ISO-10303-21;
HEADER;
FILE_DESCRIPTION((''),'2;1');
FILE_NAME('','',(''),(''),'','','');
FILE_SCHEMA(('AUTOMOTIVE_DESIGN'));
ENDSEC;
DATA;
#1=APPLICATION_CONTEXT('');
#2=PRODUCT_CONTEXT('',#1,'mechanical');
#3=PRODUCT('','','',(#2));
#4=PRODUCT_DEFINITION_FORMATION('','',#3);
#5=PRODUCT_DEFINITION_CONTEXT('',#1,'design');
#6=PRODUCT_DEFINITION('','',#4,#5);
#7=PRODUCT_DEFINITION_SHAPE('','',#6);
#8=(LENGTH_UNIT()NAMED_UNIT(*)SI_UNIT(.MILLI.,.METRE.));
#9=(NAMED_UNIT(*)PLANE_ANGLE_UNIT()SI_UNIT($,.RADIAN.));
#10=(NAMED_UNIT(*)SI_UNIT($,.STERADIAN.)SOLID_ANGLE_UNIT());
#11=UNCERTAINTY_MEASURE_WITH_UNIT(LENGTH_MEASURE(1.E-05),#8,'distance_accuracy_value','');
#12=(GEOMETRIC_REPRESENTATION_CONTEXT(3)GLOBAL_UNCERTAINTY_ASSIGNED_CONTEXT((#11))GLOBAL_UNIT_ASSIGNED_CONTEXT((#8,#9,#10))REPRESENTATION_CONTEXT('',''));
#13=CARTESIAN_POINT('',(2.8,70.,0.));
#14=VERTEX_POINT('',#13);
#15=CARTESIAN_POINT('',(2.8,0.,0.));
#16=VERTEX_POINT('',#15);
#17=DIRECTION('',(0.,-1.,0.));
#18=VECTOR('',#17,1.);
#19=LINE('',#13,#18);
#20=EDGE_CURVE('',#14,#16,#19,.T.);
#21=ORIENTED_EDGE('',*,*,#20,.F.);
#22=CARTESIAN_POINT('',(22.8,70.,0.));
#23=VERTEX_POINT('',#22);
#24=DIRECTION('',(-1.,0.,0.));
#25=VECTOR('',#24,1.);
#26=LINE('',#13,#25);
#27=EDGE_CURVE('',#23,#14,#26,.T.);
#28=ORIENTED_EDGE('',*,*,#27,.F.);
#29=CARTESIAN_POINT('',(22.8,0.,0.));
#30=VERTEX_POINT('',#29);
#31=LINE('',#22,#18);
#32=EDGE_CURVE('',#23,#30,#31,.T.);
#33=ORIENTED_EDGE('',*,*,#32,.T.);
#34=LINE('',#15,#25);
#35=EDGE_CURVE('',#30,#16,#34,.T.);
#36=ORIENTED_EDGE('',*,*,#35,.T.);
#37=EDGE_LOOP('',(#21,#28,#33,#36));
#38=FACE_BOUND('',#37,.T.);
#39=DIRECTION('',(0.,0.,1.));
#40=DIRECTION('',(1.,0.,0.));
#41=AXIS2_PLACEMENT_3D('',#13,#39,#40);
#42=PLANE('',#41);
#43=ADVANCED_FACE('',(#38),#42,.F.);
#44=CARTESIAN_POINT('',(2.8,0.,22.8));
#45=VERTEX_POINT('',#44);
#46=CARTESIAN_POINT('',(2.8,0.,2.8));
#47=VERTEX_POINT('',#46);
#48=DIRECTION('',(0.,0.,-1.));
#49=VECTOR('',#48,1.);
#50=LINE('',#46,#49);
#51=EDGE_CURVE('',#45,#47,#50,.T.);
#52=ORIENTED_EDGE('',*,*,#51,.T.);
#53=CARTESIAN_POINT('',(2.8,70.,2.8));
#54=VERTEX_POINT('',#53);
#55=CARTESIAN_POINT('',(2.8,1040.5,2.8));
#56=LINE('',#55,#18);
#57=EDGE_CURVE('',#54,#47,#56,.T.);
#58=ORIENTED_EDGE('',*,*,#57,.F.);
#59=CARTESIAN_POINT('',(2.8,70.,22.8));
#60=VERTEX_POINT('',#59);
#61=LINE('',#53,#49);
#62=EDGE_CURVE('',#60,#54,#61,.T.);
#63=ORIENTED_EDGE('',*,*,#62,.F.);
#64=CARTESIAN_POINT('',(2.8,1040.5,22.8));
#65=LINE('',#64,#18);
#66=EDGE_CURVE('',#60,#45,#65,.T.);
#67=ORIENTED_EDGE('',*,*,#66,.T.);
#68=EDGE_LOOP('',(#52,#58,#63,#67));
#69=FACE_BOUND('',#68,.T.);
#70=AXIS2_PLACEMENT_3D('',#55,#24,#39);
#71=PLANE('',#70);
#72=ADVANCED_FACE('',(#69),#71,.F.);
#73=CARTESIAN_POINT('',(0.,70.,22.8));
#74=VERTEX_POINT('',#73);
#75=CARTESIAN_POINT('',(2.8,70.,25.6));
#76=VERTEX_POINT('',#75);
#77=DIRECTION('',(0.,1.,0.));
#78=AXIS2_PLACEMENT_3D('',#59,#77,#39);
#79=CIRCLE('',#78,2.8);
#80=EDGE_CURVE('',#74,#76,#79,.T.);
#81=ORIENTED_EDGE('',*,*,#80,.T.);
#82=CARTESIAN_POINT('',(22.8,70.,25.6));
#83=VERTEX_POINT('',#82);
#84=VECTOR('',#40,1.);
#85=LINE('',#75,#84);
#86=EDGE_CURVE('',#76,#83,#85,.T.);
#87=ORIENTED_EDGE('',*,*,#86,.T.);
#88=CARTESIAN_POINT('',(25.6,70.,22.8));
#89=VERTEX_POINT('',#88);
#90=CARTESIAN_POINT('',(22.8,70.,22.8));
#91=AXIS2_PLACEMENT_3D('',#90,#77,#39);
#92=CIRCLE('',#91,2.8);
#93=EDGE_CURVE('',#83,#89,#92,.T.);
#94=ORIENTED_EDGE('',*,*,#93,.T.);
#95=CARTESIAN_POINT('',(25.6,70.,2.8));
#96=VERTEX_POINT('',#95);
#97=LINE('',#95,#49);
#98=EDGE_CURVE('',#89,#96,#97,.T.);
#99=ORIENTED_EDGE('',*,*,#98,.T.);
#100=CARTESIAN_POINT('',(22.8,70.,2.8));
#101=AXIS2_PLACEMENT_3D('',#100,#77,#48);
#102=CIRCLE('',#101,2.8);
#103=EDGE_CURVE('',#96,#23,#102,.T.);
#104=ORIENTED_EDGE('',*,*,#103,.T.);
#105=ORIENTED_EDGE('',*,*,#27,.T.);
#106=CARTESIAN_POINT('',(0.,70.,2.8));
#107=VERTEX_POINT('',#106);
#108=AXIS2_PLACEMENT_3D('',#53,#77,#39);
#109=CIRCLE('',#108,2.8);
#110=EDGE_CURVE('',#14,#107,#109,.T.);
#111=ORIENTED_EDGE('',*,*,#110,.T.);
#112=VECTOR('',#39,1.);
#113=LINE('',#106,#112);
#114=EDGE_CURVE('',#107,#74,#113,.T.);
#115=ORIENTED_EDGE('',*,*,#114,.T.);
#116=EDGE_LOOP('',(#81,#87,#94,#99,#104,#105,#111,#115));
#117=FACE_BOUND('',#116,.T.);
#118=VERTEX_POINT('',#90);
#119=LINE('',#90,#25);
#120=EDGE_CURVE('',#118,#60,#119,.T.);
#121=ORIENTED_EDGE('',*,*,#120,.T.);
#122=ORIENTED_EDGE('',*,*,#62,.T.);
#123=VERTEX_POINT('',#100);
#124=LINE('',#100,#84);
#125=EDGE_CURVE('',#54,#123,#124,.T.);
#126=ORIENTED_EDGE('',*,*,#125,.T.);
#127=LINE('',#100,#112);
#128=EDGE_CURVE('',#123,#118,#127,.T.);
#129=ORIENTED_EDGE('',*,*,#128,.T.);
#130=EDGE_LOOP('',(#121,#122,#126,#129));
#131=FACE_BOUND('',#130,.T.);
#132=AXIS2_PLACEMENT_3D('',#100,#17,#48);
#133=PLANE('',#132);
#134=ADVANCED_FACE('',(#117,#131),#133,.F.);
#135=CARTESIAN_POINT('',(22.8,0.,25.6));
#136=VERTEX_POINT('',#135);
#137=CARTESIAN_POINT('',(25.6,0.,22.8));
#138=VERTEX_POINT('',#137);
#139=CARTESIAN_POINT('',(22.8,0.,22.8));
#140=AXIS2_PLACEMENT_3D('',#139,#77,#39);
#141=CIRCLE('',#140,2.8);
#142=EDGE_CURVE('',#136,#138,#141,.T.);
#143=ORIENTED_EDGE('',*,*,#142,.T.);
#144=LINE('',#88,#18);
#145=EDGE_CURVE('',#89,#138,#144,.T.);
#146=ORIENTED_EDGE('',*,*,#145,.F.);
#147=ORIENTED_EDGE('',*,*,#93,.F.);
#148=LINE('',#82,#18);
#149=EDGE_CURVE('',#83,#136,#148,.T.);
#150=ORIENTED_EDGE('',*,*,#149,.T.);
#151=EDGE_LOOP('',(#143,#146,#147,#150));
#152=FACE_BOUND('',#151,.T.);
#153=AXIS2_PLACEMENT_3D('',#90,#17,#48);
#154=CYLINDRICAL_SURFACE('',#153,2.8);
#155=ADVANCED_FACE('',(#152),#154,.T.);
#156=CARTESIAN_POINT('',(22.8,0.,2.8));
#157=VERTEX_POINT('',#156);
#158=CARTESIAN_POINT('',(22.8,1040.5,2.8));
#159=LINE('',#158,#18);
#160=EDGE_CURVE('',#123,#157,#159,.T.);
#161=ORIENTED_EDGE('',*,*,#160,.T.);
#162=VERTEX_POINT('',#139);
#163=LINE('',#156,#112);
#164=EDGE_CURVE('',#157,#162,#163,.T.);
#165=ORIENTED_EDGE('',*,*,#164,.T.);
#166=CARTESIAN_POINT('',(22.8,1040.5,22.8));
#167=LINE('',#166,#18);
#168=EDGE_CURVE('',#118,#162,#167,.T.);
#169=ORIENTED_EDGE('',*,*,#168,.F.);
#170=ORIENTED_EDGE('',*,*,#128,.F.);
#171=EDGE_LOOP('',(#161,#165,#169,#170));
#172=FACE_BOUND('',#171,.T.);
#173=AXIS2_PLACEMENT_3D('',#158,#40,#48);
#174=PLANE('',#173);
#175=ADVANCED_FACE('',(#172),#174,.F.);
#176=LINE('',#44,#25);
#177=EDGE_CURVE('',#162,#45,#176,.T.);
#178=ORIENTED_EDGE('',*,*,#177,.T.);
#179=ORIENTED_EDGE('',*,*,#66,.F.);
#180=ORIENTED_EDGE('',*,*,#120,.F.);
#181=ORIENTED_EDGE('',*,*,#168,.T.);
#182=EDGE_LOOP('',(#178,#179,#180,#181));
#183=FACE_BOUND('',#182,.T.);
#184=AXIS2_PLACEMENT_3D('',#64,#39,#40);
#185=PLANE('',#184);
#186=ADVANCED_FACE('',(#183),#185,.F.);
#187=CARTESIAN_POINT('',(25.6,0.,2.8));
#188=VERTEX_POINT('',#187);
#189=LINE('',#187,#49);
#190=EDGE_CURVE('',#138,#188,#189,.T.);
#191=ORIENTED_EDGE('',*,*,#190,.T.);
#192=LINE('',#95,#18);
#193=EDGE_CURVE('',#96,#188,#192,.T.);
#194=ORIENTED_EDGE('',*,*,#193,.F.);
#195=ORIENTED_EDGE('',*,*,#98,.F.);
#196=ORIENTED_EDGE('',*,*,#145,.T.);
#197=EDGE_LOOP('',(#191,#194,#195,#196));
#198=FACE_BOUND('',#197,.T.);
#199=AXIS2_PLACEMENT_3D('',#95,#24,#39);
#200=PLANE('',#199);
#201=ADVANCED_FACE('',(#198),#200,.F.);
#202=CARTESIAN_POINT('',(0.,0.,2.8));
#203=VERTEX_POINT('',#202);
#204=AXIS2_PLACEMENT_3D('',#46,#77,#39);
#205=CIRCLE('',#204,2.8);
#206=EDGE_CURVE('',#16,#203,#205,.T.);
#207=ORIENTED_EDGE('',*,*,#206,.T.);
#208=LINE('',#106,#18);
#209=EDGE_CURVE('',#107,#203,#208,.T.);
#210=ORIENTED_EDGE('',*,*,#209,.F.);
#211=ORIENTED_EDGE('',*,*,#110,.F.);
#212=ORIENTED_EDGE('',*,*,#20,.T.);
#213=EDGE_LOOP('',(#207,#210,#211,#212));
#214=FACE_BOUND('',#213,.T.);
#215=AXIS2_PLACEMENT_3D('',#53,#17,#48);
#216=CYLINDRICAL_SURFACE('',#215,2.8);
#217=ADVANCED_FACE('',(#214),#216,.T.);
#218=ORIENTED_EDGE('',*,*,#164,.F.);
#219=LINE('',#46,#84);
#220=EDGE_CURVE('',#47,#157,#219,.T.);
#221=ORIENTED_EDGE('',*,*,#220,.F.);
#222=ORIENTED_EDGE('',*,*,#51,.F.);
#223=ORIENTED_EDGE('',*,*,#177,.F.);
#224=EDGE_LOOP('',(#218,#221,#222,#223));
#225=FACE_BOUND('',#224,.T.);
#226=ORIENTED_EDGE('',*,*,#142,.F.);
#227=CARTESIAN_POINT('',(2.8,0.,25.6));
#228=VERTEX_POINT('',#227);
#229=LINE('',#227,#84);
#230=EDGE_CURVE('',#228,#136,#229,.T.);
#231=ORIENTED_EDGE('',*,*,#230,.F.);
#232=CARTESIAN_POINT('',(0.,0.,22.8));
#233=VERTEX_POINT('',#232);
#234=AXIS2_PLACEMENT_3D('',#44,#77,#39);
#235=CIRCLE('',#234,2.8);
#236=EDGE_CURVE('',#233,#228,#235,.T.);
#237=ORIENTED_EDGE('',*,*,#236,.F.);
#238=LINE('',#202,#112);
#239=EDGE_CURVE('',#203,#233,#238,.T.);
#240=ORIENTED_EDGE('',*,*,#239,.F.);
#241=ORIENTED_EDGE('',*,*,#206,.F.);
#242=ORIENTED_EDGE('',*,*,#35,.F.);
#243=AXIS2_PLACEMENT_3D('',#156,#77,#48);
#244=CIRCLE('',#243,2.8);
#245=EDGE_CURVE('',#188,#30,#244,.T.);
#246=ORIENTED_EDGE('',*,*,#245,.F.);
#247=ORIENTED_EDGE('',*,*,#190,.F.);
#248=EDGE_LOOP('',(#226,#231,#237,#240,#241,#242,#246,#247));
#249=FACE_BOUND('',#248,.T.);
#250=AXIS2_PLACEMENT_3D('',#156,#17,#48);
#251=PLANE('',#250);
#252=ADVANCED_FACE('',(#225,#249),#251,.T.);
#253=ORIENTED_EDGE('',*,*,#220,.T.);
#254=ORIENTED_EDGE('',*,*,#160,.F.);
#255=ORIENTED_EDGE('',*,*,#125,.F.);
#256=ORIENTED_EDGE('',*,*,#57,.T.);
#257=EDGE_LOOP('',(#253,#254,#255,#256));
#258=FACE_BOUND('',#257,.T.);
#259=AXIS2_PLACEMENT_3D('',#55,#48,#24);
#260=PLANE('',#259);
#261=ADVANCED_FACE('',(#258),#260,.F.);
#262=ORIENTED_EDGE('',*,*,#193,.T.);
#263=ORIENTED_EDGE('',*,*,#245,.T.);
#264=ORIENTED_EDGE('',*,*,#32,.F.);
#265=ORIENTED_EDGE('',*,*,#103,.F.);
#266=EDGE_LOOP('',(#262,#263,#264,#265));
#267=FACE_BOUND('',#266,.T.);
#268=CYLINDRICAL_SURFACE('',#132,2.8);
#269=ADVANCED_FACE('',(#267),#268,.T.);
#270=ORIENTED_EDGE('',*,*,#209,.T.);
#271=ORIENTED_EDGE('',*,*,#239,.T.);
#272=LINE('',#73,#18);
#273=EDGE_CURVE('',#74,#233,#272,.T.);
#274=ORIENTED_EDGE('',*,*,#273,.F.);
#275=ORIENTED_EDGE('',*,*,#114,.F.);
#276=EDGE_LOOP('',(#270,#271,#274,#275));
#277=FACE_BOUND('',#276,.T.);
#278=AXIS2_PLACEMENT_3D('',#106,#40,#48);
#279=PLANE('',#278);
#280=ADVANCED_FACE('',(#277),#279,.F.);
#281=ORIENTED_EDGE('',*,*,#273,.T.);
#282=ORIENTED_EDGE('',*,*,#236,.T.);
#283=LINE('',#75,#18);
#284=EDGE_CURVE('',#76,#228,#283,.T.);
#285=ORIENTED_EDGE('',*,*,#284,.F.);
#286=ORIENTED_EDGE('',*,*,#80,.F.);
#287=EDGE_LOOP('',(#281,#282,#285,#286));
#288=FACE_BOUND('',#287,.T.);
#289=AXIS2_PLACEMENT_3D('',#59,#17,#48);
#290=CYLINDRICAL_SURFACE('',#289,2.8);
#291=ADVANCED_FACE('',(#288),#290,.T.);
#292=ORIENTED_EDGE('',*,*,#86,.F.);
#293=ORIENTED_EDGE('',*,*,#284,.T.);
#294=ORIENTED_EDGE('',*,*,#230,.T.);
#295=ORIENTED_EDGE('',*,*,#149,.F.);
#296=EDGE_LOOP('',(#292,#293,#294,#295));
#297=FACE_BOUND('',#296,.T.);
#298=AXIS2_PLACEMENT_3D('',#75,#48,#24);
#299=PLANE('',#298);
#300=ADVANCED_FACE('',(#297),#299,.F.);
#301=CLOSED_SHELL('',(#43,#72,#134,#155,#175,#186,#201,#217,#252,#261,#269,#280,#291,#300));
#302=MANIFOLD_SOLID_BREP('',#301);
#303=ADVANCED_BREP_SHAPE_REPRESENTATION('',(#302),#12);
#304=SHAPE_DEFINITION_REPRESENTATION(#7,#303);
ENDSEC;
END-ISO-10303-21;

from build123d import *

# Parameters (mm, degrees)
BOSS_EXTRUDE1_DEPTH = 70
SKETCH3_W           = 20
SKETCH3_H           = 20
CUT_EXTRUDE1_DEPTH  = 1040.5


with BuildPart() as part:
    # Sketch1 → Boss-Extrude1 (new body)
    with BuildSketch(Plane(origin=(0, 0, 0), x_dir=(1, 0, 0), z_dir=(0, 1, 0))):
        with BuildLine():
            Line((2.8, 0), (22.8, 0))
            ThreePointArc((22.8, 0), (24.779898987, -0.820101013), (25.6, -2.8))
            Line((25.6, -2.8), (25.6, -22.8))
            ThreePointArc((25.6, -22.8), (24.779898987, -24.779898987), (22.8, -25.6))
            Line((22.8, -25.6), (2.8, -25.6))
            ThreePointArc((2.8, -25.6), (0.820101013, -24.779898987), (0, -22.8))
            Line((0, -22.8), (0, -2.8))
            ThreePointArc((0, -2.8), (0.820101013, -0.820101013), (2.8, 0))
        make_face()
    extrude(amount=BOSS_EXTRUDE1_DEPTH)

    # Sketch3 → Cut-Extrude1 (cut)
    with BuildSketch(Plane(origin=(0, 0, 0), x_dir=(-1, 0, 0), z_dir=(0, -1, 0))):
        with Locations((-12.8, -12.8)):
            Rectangle(SKETCH3_W, SKETCH3_H)
    extrude(amount=-CUT_EXTRUDE1_DEPTH, mode=Mode.SUBTRACT)


solid = part.part
